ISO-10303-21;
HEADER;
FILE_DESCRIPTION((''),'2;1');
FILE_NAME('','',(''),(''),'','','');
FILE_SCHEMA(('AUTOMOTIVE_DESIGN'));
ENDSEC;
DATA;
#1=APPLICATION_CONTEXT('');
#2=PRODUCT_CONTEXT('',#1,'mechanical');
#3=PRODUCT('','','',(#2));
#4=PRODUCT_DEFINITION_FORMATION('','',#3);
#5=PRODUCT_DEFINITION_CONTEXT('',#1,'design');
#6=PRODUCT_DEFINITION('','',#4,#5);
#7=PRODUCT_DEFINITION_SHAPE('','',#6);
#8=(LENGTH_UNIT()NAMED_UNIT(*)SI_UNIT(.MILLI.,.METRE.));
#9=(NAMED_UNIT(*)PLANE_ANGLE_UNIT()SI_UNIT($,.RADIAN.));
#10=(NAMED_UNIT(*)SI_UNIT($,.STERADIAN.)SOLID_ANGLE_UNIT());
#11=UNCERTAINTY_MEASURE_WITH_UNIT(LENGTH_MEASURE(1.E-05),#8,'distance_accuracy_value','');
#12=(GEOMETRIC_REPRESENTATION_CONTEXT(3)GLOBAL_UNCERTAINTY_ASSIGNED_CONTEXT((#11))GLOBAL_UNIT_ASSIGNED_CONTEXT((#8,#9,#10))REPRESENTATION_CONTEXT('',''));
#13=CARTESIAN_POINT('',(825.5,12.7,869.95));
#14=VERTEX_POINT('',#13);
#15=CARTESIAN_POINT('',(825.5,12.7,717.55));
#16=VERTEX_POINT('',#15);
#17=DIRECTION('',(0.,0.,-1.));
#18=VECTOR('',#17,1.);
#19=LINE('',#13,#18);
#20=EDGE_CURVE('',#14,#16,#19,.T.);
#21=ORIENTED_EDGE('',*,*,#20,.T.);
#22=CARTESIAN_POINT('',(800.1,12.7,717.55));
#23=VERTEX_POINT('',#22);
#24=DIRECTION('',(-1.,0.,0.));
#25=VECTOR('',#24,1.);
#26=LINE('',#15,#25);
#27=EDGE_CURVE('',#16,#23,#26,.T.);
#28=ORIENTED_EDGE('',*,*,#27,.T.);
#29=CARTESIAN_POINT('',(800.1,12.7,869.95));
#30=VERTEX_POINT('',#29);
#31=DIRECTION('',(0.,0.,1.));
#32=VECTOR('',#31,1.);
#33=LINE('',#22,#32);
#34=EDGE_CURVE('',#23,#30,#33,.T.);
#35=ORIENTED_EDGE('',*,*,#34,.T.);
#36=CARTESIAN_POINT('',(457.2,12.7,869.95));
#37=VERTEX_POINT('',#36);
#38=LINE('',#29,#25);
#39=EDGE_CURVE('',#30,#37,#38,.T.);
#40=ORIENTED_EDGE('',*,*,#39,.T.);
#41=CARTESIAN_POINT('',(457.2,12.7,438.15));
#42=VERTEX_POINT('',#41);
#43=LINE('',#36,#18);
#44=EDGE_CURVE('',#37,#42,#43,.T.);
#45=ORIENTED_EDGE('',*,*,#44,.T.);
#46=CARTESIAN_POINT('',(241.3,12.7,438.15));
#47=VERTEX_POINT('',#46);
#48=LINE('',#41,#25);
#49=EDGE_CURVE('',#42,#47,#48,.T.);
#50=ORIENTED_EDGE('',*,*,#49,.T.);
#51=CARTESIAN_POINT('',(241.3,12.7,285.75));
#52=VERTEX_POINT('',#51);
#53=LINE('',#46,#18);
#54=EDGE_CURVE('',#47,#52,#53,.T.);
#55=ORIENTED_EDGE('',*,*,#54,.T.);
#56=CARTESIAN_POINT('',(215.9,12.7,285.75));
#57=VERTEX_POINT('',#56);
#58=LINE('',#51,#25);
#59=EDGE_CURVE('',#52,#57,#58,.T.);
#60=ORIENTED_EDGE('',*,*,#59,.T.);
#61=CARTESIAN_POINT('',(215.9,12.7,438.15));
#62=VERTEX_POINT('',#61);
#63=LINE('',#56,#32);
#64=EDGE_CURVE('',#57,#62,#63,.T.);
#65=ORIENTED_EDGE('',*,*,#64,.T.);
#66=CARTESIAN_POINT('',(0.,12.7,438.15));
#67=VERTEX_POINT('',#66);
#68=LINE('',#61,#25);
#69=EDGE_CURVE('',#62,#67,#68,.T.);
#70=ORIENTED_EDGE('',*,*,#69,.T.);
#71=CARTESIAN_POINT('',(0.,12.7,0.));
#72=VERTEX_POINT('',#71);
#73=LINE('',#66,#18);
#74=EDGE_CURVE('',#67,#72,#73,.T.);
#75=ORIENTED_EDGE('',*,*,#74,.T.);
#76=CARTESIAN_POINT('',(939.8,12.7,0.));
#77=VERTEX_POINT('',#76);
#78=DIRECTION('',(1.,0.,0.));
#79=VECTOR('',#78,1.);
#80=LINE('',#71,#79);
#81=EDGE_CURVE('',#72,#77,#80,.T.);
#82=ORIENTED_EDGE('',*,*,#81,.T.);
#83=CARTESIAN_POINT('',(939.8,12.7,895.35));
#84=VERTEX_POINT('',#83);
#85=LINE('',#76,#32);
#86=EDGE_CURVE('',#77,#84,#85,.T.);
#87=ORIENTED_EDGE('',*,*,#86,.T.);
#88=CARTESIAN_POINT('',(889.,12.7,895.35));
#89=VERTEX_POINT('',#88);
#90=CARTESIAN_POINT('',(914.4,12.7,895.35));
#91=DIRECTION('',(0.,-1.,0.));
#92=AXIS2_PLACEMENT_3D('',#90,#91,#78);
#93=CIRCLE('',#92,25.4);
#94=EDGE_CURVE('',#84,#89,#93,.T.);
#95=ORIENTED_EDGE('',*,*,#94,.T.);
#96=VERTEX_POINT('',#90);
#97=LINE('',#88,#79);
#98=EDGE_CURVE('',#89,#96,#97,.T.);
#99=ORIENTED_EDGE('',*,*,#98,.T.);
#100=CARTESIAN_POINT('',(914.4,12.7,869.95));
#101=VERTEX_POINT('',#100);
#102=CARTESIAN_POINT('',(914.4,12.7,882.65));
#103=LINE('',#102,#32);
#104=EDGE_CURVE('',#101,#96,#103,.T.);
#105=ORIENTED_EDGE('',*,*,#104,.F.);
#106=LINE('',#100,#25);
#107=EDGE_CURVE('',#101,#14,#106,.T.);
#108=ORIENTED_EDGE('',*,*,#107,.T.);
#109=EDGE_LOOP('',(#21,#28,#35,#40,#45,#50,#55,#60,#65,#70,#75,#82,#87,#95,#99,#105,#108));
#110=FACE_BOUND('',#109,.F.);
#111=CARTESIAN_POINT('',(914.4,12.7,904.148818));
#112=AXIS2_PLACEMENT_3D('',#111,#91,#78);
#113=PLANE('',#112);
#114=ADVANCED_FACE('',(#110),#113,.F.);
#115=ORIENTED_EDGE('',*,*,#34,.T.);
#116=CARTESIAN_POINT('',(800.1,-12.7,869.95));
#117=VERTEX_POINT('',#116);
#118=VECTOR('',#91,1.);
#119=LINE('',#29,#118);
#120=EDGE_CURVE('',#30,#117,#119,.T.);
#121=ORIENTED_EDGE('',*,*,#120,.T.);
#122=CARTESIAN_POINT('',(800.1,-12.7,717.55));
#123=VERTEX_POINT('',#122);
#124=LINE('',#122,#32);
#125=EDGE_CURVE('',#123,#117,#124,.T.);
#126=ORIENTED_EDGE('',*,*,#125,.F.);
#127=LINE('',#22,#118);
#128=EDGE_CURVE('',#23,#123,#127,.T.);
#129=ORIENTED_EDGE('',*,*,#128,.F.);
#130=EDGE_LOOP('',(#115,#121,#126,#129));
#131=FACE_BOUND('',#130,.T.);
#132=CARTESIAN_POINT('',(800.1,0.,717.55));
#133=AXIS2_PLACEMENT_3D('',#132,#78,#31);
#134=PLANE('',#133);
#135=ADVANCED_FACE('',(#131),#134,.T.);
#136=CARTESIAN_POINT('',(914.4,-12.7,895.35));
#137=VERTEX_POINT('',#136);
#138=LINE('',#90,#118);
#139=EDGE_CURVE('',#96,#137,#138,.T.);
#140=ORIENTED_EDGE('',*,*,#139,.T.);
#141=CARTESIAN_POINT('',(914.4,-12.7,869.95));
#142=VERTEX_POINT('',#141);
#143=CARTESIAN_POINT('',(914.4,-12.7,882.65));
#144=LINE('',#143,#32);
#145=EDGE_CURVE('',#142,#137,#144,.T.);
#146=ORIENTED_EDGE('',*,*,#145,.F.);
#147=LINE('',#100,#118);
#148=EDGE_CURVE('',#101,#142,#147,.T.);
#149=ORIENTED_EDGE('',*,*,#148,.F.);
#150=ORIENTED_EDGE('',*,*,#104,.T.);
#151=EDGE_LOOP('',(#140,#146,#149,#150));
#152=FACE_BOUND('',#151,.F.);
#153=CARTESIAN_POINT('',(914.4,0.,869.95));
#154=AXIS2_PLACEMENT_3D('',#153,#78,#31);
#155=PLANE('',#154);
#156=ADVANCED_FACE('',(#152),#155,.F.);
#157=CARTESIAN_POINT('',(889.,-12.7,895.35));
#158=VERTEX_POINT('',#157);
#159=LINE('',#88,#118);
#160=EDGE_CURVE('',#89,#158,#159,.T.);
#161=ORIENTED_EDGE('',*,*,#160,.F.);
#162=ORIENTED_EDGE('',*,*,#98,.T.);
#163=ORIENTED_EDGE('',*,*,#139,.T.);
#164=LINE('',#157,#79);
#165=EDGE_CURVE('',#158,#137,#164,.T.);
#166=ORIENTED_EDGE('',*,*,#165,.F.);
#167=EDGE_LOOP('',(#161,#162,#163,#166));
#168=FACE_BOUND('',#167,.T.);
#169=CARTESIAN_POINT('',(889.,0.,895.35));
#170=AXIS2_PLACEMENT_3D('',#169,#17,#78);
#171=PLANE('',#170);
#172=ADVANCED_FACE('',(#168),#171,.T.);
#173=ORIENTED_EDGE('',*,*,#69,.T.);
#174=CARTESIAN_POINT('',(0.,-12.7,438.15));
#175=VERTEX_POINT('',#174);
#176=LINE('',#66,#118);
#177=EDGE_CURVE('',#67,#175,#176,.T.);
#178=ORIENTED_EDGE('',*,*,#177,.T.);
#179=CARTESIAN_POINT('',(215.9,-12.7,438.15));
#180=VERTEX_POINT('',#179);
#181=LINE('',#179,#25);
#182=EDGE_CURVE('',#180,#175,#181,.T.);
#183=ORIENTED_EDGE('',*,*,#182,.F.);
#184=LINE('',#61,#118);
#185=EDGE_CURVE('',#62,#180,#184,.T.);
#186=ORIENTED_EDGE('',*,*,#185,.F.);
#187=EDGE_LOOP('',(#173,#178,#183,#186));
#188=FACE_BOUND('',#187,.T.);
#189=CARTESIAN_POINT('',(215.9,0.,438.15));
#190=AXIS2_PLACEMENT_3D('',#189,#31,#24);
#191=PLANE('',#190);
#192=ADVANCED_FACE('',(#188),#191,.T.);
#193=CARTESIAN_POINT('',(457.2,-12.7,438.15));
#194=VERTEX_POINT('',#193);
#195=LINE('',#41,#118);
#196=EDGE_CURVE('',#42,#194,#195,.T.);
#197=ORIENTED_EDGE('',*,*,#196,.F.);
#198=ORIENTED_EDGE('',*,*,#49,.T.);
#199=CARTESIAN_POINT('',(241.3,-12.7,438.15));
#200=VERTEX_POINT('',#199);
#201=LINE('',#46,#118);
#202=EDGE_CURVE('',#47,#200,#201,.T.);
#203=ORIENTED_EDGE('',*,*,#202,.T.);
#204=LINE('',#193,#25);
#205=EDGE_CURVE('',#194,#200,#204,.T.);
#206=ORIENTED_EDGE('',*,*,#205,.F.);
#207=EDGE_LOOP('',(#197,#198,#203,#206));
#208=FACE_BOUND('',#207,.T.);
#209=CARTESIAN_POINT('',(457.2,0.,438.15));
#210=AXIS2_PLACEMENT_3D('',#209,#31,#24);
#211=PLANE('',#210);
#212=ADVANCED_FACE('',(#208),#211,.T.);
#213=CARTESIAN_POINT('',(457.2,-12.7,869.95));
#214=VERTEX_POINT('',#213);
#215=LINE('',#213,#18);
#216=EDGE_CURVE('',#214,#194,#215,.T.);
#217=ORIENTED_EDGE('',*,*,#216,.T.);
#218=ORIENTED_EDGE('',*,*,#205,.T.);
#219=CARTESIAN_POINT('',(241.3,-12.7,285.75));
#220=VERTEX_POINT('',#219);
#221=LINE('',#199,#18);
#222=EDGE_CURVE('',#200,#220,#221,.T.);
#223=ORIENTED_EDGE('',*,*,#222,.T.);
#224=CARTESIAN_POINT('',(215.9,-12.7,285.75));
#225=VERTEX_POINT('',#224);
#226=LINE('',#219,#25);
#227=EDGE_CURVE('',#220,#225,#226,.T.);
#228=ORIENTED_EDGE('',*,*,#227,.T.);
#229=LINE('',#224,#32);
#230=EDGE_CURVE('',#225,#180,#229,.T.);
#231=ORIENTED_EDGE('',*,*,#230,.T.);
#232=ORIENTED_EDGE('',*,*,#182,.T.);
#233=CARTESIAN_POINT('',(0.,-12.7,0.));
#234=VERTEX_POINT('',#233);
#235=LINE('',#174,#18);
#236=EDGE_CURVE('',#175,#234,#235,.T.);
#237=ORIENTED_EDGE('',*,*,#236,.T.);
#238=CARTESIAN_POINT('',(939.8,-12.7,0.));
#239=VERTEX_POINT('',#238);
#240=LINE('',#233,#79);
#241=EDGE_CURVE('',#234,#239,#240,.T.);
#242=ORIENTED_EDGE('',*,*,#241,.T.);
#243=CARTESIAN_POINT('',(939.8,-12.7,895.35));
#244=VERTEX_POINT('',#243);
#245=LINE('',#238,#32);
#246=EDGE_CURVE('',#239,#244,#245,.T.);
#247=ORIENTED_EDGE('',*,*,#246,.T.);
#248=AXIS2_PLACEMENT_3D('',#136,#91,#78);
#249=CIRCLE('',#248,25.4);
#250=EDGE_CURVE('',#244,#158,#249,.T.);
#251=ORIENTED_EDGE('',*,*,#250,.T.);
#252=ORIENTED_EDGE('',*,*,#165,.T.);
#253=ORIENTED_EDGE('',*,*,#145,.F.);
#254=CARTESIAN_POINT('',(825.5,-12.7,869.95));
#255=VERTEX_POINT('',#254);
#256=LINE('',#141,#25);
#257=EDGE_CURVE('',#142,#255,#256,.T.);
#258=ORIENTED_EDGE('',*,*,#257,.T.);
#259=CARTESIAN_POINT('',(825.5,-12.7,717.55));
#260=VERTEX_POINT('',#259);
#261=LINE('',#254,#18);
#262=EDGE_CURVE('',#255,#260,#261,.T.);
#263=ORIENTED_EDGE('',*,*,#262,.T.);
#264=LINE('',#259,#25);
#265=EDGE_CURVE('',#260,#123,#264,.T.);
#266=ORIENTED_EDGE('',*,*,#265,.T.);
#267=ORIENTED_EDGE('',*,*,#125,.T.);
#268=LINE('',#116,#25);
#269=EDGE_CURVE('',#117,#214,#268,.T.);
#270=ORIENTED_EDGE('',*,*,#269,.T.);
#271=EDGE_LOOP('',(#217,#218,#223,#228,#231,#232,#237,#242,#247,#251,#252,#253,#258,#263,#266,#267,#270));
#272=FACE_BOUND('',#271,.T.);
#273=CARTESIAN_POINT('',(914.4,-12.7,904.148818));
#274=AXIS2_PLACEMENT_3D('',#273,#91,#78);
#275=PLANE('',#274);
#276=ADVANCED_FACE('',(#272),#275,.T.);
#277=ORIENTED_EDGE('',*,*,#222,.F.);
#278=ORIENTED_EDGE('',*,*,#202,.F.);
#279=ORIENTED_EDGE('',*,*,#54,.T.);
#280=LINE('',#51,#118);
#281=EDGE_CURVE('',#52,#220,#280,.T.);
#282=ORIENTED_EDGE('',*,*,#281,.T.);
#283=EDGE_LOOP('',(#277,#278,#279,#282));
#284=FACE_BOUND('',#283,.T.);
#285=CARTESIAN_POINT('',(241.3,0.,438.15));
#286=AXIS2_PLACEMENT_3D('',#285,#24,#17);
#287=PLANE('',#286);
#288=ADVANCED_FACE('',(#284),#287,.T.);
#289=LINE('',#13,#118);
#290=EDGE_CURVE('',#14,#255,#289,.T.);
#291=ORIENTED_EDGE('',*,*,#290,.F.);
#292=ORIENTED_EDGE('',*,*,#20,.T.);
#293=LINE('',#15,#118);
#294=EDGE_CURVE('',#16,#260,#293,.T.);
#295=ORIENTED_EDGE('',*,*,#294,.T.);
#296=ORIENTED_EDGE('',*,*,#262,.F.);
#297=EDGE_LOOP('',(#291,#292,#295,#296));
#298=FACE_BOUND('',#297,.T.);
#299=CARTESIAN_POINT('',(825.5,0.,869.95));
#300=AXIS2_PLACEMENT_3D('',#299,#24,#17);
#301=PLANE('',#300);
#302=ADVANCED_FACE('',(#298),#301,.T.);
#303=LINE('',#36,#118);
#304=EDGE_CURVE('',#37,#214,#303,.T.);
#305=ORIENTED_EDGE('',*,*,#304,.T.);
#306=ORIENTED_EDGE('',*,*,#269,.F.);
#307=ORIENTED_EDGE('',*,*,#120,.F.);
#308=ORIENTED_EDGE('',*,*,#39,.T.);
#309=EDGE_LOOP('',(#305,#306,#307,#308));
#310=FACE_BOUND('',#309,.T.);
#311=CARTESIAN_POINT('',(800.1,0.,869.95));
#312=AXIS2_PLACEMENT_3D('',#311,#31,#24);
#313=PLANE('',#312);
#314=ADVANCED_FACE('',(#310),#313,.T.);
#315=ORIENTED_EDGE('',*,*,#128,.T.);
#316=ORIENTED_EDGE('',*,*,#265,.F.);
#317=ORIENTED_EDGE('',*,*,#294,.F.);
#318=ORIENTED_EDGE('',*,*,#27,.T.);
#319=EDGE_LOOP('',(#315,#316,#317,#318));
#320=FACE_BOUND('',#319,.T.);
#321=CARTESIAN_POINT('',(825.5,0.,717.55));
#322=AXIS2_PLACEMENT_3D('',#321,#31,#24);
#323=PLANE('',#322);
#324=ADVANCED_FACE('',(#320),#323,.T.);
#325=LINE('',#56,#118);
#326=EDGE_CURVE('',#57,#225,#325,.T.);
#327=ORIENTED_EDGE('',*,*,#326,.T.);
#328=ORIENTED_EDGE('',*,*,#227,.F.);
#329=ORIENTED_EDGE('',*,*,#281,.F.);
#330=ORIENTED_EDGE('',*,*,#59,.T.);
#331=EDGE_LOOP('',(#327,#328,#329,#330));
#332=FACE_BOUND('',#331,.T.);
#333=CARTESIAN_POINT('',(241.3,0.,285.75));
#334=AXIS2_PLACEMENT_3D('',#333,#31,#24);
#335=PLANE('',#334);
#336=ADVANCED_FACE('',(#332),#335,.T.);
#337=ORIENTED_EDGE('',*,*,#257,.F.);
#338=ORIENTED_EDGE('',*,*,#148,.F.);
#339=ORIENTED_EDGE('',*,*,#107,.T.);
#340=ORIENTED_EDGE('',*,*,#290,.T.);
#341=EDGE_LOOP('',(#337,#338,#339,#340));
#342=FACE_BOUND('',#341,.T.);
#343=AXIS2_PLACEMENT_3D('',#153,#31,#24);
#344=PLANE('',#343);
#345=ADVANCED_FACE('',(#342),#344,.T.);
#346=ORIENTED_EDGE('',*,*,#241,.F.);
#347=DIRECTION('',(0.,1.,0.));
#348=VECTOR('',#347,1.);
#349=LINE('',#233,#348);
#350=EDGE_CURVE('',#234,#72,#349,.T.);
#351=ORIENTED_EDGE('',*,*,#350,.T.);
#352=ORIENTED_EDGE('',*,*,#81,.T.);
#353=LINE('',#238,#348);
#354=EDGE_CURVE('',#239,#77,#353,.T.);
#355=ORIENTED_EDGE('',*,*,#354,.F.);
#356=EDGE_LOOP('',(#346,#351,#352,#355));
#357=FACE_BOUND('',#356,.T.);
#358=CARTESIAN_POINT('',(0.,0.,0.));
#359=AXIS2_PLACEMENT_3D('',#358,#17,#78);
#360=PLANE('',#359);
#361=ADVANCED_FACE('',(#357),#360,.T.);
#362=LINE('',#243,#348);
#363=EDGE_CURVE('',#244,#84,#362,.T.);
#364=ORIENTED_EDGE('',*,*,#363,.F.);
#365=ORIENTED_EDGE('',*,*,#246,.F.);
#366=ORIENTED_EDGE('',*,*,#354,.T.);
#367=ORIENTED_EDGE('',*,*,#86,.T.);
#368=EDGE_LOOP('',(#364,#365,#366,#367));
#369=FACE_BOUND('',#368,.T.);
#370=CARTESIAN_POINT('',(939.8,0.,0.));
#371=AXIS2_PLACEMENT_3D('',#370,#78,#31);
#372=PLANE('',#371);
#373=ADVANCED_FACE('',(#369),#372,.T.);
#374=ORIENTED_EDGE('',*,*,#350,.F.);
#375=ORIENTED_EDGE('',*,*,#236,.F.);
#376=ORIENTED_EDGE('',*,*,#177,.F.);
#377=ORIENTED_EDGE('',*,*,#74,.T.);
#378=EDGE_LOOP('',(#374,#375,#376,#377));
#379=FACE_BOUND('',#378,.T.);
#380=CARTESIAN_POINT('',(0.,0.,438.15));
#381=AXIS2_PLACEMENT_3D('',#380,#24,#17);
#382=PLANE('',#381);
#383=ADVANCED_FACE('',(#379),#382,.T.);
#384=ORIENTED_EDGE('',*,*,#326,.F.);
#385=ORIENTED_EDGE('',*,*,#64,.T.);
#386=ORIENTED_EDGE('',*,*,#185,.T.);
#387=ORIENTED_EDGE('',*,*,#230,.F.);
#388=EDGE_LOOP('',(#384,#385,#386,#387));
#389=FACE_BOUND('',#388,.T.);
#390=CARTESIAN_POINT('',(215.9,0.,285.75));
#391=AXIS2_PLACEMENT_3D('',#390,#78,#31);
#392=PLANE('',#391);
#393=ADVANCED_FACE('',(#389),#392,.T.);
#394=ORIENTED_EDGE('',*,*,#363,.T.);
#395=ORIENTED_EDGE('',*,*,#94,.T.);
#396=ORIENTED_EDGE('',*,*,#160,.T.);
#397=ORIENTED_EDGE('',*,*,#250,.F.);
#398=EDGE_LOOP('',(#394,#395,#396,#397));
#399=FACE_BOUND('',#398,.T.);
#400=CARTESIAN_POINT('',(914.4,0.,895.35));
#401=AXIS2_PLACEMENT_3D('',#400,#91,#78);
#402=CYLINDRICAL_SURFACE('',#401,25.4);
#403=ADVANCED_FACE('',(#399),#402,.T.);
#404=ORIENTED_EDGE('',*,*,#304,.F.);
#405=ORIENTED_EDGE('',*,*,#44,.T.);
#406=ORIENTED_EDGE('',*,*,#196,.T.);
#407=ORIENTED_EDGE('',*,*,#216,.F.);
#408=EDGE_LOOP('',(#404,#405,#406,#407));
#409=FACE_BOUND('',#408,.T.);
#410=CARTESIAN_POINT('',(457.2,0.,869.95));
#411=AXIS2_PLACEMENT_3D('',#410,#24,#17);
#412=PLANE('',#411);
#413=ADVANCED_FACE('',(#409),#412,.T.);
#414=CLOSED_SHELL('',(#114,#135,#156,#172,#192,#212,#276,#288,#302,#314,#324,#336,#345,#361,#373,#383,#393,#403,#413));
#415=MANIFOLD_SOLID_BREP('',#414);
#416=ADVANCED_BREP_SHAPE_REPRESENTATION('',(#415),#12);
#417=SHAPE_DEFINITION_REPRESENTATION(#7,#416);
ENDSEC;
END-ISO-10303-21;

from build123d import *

# Parameters (mm, degrees)
F0_W     = 25.4
F0_H     = 25.4
F1_DEPTH = 12.7


with BuildPart() as f1:
    # F0 (on Front) → F1 (new body, symmetric)
    with BuildSketch(Plane.XZ):
        with BuildLine():
            Line((914.4, 895.35), (939.8, 895.35))
            ThreePointArc((939.8, 895.35), (914.4, 920.75), (889, 895.35))
            Line((889, 895.35), (914.4, 895.35))
        make_face()
        with Locations((927.1, 882.65)):
            Rectangle(F0_W, F0_H)
        Polygon((0, 438.15), (0, 0), (939.8, 0), (939.8, 869.95), (914.4, 869.95), (825.5, 869.95), (825.5, 717.55), (800.1, 717.55), (800.1, 869.95), (457.2, 869.95), (457.2, 438.15), (241.3, 438.15), (241.3, 285.75), (215.9, 285.75), (215.9, 438.15), align=None)
    extrude(amount=F1_DEPTH, both=True)


solid = f1.part
